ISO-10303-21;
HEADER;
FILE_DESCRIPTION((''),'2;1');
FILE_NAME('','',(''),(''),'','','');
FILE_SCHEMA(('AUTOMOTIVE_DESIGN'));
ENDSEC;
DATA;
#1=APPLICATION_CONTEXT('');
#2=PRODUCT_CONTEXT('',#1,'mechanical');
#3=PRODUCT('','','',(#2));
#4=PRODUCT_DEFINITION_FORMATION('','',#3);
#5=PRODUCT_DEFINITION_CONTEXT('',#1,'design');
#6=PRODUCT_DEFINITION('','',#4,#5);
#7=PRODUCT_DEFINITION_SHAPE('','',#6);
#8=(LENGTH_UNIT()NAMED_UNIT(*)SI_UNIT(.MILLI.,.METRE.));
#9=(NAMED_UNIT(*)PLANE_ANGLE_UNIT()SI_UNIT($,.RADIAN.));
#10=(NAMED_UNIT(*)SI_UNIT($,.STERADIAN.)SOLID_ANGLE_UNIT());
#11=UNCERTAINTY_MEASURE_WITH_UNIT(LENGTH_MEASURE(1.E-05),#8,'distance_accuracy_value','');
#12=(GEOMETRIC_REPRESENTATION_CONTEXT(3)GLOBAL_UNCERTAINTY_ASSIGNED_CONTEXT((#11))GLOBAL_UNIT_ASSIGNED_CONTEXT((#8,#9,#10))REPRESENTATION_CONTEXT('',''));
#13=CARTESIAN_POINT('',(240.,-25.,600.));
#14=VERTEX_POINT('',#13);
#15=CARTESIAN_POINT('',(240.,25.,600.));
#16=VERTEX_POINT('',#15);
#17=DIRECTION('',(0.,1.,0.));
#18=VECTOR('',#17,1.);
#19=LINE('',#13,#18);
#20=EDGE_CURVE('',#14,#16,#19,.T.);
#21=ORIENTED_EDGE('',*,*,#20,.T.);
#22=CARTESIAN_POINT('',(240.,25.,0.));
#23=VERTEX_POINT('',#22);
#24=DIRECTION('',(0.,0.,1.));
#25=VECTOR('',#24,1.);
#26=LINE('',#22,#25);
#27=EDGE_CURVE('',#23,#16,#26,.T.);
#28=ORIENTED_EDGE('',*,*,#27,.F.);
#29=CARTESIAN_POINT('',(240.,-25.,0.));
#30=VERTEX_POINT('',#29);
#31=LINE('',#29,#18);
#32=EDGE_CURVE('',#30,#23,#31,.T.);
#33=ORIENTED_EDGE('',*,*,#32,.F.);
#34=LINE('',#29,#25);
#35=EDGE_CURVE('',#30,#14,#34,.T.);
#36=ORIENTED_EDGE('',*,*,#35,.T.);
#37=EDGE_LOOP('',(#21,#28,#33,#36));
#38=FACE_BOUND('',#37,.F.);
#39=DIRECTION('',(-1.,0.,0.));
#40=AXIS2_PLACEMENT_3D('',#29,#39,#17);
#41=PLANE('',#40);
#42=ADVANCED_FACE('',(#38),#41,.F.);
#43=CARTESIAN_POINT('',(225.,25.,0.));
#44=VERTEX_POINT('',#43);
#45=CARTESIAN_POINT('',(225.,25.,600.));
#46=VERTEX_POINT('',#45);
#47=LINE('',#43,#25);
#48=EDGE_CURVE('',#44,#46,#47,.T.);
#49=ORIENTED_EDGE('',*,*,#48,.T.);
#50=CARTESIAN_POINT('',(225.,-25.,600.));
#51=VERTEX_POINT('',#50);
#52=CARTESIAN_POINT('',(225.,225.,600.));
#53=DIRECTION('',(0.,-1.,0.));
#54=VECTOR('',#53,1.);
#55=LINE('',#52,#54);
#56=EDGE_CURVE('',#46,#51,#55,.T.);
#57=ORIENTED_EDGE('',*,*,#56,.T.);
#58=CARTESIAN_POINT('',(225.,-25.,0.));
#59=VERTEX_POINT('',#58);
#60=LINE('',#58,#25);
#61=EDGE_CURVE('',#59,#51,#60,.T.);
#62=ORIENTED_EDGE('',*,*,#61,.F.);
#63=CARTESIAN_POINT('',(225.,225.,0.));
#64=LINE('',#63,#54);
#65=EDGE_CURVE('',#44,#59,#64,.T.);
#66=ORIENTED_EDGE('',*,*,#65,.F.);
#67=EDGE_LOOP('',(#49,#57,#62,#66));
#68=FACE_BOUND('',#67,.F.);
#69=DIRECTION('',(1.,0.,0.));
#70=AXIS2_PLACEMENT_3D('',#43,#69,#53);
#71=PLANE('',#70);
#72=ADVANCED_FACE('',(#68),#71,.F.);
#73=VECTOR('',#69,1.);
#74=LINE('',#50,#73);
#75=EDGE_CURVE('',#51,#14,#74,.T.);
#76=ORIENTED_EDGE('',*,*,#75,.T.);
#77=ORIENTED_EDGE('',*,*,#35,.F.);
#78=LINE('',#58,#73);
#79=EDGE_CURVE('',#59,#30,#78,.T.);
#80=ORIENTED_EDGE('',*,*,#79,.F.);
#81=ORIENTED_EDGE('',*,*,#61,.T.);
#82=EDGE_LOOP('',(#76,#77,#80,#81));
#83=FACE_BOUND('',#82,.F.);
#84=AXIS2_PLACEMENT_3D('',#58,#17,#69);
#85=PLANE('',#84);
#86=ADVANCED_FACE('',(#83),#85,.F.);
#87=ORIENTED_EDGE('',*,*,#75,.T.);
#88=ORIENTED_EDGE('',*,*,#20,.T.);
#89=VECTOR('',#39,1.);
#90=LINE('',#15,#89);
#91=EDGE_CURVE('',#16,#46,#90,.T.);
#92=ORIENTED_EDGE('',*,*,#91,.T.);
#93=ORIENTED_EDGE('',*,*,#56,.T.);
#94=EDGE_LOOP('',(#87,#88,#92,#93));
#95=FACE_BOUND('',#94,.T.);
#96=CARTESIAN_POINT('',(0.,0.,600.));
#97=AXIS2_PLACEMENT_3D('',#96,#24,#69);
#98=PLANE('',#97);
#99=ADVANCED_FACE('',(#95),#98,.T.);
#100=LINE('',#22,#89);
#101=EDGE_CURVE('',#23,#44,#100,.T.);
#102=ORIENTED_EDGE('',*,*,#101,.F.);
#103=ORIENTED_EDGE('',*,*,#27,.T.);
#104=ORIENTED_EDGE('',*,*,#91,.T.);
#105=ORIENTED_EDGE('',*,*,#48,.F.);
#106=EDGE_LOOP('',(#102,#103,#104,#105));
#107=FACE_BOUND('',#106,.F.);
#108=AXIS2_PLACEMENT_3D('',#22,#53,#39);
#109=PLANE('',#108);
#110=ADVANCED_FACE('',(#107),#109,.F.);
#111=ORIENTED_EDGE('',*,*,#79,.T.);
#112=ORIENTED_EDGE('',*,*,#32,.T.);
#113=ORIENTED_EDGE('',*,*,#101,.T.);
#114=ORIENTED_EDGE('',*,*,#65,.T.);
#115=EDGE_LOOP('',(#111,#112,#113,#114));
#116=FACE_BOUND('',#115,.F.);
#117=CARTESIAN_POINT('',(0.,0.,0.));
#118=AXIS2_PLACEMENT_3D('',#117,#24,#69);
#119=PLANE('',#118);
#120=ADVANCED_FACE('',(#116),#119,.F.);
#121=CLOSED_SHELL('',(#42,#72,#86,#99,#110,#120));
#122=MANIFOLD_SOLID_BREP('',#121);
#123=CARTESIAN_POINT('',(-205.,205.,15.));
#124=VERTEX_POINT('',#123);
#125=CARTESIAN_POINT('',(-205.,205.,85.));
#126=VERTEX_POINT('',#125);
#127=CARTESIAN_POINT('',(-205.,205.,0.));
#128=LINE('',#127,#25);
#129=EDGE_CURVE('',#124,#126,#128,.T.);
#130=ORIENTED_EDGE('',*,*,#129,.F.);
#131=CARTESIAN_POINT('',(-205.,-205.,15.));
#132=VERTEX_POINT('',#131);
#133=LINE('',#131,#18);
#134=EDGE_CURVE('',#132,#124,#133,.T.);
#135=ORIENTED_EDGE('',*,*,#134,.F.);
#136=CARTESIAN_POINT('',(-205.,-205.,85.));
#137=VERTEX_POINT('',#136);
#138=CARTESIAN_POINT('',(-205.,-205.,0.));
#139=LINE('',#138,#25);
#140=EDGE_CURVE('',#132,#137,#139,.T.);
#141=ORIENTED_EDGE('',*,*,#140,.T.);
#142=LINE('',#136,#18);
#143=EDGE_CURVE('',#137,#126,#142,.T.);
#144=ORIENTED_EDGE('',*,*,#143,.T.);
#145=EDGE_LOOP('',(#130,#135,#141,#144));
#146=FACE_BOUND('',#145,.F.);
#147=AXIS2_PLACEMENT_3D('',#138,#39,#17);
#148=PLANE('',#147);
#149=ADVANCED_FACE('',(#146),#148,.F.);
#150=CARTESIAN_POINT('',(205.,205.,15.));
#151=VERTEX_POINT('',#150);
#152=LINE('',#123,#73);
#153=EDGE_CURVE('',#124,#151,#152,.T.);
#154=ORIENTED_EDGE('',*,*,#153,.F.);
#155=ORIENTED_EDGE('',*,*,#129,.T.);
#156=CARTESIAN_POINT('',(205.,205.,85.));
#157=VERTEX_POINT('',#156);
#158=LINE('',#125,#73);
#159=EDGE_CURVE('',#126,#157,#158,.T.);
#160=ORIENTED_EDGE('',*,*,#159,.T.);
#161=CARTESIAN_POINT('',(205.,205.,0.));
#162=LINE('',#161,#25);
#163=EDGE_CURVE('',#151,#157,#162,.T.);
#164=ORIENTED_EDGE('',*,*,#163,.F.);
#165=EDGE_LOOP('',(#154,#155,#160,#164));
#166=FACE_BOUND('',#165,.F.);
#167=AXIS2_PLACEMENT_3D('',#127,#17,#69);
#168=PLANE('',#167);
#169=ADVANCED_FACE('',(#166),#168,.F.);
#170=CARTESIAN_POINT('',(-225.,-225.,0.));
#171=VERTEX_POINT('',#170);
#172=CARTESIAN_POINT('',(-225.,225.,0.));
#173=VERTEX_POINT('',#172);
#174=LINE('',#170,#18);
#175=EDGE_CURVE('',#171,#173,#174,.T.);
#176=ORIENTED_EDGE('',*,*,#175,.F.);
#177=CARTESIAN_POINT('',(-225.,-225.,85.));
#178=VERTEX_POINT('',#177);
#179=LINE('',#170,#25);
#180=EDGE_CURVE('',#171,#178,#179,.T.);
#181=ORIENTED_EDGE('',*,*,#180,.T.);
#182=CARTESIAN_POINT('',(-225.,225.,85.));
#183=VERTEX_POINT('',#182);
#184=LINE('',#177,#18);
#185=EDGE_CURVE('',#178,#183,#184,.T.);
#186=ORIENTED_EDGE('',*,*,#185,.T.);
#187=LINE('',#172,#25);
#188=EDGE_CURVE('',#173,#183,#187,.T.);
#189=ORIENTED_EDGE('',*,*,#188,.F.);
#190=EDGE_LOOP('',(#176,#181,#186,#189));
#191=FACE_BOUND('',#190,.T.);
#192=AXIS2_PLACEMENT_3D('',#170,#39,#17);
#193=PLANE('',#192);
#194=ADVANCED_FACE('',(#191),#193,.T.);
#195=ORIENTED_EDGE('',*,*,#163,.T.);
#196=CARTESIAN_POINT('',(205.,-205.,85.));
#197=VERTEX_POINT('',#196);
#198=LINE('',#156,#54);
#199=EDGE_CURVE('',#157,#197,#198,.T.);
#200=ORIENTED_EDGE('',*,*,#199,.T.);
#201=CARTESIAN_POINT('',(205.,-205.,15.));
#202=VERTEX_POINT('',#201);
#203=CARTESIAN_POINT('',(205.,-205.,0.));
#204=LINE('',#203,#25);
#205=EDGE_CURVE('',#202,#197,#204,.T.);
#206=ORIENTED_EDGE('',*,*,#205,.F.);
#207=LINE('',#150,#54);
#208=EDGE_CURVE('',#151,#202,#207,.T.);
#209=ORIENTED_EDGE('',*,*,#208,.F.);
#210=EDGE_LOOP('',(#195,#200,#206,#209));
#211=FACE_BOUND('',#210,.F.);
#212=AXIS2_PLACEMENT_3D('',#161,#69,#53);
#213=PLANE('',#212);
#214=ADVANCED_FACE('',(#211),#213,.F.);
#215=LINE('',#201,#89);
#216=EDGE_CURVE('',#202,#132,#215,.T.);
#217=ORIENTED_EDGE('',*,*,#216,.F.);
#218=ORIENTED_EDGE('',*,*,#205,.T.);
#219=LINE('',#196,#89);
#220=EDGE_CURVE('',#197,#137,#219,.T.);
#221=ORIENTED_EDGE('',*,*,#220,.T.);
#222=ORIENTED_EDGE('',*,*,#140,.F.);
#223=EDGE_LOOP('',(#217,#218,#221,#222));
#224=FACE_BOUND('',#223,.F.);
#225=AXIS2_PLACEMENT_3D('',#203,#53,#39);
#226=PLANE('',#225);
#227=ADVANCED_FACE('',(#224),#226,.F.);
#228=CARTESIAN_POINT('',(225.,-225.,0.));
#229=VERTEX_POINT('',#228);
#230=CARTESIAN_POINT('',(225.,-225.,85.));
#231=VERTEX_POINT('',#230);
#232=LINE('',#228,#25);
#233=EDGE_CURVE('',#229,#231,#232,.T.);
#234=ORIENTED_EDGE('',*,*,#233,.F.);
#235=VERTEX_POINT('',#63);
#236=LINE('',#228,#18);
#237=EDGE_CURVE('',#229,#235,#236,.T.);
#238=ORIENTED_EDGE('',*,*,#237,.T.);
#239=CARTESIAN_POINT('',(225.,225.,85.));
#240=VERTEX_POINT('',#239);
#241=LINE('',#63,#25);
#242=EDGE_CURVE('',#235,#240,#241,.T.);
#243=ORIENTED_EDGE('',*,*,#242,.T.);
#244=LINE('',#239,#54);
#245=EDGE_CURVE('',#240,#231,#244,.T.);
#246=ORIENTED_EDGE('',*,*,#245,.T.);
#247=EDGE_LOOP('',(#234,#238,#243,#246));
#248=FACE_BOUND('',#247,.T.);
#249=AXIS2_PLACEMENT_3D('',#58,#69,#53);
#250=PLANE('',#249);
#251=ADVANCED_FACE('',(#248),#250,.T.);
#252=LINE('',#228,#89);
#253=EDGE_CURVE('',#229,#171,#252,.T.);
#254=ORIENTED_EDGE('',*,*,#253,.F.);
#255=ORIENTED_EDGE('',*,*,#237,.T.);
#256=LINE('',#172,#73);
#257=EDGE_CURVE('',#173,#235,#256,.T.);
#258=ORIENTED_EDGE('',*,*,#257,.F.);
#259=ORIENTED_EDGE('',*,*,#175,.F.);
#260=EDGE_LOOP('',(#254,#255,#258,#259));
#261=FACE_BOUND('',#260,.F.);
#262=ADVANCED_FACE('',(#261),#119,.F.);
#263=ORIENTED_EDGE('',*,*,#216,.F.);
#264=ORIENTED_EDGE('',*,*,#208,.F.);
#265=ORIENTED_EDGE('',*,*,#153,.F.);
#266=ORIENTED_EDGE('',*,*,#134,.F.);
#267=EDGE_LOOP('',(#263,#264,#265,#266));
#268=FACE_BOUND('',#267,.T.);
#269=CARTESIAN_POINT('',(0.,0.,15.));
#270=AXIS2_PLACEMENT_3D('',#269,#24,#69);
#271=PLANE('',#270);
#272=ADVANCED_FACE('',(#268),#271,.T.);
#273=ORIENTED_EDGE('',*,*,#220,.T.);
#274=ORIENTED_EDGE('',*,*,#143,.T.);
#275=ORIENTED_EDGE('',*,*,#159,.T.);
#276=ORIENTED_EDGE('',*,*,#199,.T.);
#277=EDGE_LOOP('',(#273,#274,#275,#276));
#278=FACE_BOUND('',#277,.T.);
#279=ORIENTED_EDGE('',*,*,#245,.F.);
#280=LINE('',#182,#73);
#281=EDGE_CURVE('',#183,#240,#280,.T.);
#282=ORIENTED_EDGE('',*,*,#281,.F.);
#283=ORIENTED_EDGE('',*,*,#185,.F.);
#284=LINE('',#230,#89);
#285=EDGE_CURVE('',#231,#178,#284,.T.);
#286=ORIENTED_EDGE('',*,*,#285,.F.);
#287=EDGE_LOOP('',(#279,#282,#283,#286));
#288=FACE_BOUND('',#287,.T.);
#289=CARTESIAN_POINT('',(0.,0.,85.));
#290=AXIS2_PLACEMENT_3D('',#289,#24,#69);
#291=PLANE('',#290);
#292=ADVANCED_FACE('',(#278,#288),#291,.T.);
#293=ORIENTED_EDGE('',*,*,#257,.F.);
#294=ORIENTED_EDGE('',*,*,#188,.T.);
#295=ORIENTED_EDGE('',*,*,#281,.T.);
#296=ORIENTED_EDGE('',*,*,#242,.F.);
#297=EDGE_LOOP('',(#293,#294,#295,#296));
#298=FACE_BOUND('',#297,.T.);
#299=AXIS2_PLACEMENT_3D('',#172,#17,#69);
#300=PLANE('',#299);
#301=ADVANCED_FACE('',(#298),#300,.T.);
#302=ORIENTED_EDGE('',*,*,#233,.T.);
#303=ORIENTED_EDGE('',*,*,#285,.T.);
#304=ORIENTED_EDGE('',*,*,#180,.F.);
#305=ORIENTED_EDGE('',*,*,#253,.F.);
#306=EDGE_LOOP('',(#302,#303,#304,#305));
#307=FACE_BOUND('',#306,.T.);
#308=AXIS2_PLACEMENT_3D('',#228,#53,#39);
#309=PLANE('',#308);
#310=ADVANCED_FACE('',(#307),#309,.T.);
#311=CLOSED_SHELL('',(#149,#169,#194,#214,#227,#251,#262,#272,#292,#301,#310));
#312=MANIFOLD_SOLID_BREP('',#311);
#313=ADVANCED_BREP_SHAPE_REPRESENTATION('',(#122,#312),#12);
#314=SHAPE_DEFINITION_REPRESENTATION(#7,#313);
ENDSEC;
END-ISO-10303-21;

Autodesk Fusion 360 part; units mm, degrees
sketch "草图1" plane through (0, 0, 0) normal (0, 0, 1) x (1, 0, 0) in component "base"
  line L0 (200, -200) -> (-200, -200) construction
  line L1 (-200, -200) -> (-200, 200) construction
  line L2 (-200, 200) -> (200, 200) construction
  line L3 (200, 200) -> (200, -200) construction
  line L4 (200, -200) -> (-200, 200) construction
  line L5 (-200, -200) -> (200, 200) construction
  line L6 (205, -205) -> (-205, -205)
  line L7 (-205, -205) -> (-205, 205)
  line L8 (-205, 205) -> (205, 205)
  line L9 (205, 205) -> (205, -205)
  line L10 (225, -225) -> (-225, -225)
  line L11 (-225, -225) -> (-225, 225)
  line L12 (-225, 225) -> (225, 225)
  line L13 (225, 225) -> (225, -225)
  line L14 (225, -25) -> (240, -25)
  line L15 (240, -25) -> (240, 25)
  line L16 (240, 25) -> (225, 25)
  line L17 (225, 25) -> (225, -25)
  line L18 (1.75, 0) -> (22.5, 0)
  dimension "d1" = 400
  dimension "d2" = 400
  dimension "d3" = -5
  dimension "d4" = -25
  dimension "d9" = 15
  dimension "d10" = 50
extrude "拉伸1" add sketch "草图1" along normal blind 85 contours L10 L11 L12 L13 L17 makes body 1 in component "base"
extrude "拉伸2" add sketch "草图1" along normal blind 15 contours L6 L7 L8 L9 bodies 1 in component "base"
extrude "拉伸3" add sketch "草图1" along normal blind 600 separate body contours L13 L14 L15 L16 L17 makes body 2 in component "base"
component "base" placed x (1, 0, 0) y (0, 1, 0) z (0, 0, 1) at (0, 0, 0)
